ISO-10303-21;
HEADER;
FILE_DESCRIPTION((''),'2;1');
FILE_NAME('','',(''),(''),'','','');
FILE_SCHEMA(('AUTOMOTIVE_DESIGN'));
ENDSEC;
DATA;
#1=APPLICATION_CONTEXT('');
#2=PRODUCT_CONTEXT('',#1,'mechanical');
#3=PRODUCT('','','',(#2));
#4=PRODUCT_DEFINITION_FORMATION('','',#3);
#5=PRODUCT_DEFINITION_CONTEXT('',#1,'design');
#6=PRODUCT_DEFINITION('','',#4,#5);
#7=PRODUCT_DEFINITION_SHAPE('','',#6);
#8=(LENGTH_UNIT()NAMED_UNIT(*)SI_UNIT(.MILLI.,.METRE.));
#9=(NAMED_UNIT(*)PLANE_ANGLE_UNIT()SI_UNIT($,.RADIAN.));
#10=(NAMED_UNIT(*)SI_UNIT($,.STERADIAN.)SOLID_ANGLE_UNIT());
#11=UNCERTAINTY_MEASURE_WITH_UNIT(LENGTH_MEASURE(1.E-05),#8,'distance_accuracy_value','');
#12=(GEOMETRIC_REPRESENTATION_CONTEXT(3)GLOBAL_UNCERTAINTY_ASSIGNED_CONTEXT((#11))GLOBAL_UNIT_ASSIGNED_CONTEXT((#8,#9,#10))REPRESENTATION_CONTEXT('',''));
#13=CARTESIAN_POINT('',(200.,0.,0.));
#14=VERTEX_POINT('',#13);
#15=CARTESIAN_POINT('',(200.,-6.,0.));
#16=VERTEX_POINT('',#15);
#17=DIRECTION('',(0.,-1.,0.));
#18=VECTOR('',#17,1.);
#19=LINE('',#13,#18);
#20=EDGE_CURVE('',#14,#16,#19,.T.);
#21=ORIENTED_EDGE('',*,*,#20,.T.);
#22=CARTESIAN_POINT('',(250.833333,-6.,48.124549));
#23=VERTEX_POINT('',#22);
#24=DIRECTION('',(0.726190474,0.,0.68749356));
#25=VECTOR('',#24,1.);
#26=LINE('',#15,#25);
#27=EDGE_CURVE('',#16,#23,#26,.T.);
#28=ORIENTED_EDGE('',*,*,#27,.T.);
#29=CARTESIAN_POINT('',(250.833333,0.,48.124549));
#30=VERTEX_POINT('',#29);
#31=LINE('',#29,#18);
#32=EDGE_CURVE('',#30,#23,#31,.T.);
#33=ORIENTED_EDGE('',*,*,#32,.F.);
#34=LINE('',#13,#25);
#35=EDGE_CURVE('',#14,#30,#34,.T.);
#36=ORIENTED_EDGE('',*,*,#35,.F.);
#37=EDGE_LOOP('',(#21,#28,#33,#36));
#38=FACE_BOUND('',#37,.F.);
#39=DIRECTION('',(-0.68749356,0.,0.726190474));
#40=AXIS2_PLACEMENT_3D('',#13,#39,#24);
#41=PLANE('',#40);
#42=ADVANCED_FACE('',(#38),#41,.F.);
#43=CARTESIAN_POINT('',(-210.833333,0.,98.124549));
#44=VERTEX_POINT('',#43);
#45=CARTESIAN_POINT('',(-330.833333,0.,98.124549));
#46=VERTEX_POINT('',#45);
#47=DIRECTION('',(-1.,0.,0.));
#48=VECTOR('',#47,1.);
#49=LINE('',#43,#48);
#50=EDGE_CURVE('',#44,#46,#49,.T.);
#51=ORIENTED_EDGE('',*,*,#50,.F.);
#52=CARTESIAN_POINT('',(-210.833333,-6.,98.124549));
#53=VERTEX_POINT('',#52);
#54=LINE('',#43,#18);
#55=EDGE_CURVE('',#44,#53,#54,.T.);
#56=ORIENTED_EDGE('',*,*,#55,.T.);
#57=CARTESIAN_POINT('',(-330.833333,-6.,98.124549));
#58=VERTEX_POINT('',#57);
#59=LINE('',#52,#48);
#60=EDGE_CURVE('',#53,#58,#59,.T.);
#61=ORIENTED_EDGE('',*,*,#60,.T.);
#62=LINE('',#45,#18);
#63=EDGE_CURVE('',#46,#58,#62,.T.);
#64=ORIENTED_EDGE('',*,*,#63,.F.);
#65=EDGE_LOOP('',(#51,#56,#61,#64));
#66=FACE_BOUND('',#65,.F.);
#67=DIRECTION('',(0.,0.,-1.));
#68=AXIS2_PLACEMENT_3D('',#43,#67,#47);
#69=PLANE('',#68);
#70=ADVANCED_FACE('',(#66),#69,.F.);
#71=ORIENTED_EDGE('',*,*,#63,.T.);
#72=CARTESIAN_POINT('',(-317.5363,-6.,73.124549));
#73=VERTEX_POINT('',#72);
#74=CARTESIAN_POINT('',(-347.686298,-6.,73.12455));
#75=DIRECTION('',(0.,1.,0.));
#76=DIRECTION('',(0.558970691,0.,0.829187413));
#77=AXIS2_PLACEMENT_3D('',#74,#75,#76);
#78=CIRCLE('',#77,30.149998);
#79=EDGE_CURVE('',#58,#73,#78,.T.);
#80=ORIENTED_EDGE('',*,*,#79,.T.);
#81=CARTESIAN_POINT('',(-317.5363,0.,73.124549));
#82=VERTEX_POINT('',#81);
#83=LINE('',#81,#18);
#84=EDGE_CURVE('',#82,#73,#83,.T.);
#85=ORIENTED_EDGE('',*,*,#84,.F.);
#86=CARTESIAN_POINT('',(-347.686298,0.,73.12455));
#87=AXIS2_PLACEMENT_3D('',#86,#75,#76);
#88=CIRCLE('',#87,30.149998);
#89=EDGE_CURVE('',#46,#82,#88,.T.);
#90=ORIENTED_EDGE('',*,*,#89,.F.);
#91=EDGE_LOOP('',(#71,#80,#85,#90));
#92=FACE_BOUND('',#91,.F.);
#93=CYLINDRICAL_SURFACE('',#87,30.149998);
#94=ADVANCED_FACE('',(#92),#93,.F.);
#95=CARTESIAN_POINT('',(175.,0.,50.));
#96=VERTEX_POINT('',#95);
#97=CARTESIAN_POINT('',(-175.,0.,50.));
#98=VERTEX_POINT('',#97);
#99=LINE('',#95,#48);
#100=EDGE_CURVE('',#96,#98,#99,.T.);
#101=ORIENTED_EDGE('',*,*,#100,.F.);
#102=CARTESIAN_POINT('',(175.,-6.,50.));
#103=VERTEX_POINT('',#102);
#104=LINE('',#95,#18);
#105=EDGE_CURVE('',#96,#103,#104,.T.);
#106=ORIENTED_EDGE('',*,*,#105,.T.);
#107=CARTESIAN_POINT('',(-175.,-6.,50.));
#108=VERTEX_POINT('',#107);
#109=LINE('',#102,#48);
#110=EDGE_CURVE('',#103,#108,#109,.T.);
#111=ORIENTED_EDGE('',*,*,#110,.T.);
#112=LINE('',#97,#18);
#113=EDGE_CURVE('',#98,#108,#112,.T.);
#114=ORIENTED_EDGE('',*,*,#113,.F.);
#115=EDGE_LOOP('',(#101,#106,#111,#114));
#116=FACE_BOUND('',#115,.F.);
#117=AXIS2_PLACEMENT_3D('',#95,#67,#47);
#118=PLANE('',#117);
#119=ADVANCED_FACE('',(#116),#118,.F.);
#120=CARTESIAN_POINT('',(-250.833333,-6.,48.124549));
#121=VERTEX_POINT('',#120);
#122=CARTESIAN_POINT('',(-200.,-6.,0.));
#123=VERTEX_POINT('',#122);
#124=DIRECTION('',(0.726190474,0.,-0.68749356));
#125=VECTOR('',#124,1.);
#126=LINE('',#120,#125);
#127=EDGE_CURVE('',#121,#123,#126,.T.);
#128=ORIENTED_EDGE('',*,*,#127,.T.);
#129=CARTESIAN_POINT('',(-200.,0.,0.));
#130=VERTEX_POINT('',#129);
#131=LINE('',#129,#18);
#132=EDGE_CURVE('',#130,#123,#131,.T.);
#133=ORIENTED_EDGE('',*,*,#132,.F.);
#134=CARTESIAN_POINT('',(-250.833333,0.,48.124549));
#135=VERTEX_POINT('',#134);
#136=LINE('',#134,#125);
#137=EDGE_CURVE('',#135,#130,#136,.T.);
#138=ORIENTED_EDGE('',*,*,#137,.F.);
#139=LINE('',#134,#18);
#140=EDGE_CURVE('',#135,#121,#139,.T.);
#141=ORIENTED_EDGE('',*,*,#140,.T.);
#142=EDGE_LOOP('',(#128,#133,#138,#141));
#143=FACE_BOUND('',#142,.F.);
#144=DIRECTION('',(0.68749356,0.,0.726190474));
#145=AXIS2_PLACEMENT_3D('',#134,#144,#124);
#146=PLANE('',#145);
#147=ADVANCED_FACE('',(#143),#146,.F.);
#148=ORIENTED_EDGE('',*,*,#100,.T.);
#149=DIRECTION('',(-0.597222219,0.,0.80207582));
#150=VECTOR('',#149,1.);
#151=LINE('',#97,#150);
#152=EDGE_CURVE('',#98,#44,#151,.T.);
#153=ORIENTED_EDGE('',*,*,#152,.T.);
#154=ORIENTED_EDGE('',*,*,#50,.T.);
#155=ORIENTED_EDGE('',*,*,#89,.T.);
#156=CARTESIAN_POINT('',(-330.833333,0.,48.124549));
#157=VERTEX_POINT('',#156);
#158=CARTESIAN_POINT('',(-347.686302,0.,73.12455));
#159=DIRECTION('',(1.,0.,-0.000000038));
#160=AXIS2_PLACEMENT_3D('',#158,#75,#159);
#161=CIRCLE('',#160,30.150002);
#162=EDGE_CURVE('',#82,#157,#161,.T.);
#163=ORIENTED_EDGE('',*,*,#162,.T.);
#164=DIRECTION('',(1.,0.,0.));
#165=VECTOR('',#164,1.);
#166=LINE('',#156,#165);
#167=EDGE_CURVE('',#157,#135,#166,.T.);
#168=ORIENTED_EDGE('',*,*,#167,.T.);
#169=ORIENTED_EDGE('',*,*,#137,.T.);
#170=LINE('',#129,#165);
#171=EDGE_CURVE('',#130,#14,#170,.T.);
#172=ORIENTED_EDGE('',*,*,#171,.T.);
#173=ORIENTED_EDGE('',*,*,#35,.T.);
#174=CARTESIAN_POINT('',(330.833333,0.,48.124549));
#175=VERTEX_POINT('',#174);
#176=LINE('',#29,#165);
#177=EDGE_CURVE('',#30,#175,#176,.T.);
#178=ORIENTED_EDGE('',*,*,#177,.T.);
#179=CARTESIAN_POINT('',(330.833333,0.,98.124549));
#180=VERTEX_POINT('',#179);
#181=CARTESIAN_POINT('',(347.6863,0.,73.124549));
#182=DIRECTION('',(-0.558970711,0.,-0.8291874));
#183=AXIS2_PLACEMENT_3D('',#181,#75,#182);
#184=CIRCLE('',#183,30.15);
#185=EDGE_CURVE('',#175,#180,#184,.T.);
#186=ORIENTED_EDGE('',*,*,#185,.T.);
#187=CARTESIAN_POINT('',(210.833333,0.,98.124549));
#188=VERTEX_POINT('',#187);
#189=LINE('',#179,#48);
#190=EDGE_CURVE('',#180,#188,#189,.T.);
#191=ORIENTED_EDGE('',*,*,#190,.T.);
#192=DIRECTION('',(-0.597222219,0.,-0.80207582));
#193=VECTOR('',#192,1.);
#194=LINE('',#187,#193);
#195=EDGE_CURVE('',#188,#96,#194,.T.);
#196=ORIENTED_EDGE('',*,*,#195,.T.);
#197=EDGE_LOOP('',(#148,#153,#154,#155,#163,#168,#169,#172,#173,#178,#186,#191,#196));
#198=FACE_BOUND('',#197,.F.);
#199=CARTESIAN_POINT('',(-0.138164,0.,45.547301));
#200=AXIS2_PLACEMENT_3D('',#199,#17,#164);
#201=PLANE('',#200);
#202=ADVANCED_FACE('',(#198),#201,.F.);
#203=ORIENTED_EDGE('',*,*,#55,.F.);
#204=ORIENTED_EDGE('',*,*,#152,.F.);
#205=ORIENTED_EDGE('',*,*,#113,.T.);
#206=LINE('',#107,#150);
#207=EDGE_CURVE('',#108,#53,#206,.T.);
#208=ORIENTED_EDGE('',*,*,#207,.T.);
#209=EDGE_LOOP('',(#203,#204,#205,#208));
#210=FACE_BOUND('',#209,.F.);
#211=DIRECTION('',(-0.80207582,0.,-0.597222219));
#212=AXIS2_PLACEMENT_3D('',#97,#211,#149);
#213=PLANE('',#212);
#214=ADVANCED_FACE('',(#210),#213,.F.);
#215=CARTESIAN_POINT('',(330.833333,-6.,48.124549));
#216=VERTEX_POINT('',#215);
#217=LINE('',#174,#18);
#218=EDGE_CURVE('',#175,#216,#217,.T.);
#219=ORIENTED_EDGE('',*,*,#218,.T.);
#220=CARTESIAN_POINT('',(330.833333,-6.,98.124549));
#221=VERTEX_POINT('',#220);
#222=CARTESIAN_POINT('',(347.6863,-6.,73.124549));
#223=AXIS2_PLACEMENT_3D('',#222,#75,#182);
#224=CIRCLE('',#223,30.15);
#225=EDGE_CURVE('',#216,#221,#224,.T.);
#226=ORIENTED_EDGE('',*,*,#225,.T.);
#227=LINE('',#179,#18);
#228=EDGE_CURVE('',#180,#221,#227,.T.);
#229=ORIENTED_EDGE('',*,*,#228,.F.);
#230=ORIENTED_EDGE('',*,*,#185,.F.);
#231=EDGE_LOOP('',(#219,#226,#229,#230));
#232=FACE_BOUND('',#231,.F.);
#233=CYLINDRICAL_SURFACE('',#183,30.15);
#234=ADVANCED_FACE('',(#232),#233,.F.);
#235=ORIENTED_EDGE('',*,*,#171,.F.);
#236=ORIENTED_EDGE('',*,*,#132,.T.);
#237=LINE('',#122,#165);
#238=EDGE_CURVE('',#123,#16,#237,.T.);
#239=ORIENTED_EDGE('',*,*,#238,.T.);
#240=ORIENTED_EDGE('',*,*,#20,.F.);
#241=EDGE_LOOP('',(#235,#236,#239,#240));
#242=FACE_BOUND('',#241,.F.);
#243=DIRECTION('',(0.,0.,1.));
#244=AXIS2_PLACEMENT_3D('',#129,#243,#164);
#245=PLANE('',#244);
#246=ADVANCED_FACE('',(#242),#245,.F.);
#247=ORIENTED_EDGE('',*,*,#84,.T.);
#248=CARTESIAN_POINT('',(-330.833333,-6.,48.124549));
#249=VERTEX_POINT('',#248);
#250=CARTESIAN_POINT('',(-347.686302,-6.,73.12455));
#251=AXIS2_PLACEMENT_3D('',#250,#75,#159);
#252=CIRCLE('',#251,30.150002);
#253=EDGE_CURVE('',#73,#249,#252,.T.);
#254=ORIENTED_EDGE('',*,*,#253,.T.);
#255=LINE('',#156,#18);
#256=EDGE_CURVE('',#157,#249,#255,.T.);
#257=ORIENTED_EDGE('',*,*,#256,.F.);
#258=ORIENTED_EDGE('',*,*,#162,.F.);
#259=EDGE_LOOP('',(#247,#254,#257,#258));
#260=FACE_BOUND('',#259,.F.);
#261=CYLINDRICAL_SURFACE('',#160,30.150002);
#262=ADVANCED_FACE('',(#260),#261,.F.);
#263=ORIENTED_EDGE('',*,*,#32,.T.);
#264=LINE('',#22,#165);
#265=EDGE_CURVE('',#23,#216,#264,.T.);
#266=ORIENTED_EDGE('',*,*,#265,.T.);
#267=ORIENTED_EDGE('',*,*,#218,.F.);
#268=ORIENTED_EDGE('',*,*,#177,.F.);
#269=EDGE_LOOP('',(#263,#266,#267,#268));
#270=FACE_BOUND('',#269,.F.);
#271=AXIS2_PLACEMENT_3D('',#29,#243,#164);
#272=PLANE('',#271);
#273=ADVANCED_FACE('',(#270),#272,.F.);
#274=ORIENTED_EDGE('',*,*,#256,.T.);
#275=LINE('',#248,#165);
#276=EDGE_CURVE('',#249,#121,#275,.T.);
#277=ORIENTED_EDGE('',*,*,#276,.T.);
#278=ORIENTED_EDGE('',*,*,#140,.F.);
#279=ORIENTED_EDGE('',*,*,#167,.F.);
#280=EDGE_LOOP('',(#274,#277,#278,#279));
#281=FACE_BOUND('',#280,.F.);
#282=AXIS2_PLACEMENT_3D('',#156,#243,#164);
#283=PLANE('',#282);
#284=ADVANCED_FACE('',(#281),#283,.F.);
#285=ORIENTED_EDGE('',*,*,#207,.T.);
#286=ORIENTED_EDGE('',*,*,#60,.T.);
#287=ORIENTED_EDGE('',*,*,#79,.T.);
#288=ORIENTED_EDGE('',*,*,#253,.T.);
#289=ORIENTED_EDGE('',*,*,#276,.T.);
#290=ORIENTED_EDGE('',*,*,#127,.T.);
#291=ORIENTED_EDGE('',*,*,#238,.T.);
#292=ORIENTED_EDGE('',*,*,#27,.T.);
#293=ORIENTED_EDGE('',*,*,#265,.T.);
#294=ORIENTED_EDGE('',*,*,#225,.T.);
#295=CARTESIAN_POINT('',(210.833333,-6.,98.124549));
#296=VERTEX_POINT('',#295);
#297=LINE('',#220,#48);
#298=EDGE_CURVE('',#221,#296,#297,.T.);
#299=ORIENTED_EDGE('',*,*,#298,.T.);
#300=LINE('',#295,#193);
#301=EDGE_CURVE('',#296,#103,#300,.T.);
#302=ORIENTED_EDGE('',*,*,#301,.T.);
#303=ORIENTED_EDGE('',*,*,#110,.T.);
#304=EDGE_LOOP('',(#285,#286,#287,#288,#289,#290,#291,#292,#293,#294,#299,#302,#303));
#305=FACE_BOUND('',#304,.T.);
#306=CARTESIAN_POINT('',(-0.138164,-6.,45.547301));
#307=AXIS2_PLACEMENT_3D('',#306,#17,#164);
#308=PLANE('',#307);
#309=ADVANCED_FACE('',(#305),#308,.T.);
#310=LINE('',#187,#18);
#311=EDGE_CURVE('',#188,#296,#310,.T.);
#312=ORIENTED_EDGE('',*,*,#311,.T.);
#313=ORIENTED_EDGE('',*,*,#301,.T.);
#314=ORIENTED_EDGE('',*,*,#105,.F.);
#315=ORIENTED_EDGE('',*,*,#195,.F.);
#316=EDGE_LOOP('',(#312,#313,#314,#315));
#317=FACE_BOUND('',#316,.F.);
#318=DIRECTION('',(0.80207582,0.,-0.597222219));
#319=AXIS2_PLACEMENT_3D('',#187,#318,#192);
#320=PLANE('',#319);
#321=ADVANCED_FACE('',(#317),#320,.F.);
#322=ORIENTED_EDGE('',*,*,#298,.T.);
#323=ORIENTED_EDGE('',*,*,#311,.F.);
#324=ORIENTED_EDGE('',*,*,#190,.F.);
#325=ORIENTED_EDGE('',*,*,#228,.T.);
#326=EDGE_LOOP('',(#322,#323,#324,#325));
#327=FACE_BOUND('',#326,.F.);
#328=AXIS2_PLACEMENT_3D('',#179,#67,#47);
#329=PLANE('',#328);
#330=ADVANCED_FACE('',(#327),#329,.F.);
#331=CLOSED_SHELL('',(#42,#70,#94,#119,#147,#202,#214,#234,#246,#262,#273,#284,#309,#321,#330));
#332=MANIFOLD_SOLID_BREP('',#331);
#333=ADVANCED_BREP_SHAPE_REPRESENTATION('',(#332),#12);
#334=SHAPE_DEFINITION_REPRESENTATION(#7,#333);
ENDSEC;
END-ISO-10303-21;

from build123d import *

# Parameters (mm, degrees)
F1_DEPTH = 6


with BuildPart() as f1:
    # F0 (on Front) → F1 (new body)
    with BuildSketch(Plane.XZ):
        with BuildLine():
            Line((-250.833333, 48.124549), (-200, 0))
            Line((-200, 0), (200, 0))
            Line((200, 0), (250.833333, 48.124549))
            Line((250.833333, 48.124549), (330.833333, 48.124549))
            ThreePointArc((330.833333, 48.124549), (317.5363, 73.124549), (330.833333, 98.124549))
            Line((330.833333, 98.124549), (210.833333, 98.124549))
            Line((210.833333, 98.124549), (175, 50))
            Line((175, 50), (-175, 50))
            Line((-175, 50), (-210.833333, 98.124549))
            Line((-210.833333, 98.124549), (-330.833333, 98.124549))
            ThreePointArc((-330.833333, 98.124549), (-321.067327, 87.282684), (-317.5363, 73.124549))
            ThreePointArc((-317.5363, 73.124549), (-321.067327, 58.966415), (-330.833333, 48.124549))
            Line((-330.833333, 48.124549), (-250.833333, 48.124549))
        make_face()
    extrude(amount=F1_DEPTH)


solid = f1.part
